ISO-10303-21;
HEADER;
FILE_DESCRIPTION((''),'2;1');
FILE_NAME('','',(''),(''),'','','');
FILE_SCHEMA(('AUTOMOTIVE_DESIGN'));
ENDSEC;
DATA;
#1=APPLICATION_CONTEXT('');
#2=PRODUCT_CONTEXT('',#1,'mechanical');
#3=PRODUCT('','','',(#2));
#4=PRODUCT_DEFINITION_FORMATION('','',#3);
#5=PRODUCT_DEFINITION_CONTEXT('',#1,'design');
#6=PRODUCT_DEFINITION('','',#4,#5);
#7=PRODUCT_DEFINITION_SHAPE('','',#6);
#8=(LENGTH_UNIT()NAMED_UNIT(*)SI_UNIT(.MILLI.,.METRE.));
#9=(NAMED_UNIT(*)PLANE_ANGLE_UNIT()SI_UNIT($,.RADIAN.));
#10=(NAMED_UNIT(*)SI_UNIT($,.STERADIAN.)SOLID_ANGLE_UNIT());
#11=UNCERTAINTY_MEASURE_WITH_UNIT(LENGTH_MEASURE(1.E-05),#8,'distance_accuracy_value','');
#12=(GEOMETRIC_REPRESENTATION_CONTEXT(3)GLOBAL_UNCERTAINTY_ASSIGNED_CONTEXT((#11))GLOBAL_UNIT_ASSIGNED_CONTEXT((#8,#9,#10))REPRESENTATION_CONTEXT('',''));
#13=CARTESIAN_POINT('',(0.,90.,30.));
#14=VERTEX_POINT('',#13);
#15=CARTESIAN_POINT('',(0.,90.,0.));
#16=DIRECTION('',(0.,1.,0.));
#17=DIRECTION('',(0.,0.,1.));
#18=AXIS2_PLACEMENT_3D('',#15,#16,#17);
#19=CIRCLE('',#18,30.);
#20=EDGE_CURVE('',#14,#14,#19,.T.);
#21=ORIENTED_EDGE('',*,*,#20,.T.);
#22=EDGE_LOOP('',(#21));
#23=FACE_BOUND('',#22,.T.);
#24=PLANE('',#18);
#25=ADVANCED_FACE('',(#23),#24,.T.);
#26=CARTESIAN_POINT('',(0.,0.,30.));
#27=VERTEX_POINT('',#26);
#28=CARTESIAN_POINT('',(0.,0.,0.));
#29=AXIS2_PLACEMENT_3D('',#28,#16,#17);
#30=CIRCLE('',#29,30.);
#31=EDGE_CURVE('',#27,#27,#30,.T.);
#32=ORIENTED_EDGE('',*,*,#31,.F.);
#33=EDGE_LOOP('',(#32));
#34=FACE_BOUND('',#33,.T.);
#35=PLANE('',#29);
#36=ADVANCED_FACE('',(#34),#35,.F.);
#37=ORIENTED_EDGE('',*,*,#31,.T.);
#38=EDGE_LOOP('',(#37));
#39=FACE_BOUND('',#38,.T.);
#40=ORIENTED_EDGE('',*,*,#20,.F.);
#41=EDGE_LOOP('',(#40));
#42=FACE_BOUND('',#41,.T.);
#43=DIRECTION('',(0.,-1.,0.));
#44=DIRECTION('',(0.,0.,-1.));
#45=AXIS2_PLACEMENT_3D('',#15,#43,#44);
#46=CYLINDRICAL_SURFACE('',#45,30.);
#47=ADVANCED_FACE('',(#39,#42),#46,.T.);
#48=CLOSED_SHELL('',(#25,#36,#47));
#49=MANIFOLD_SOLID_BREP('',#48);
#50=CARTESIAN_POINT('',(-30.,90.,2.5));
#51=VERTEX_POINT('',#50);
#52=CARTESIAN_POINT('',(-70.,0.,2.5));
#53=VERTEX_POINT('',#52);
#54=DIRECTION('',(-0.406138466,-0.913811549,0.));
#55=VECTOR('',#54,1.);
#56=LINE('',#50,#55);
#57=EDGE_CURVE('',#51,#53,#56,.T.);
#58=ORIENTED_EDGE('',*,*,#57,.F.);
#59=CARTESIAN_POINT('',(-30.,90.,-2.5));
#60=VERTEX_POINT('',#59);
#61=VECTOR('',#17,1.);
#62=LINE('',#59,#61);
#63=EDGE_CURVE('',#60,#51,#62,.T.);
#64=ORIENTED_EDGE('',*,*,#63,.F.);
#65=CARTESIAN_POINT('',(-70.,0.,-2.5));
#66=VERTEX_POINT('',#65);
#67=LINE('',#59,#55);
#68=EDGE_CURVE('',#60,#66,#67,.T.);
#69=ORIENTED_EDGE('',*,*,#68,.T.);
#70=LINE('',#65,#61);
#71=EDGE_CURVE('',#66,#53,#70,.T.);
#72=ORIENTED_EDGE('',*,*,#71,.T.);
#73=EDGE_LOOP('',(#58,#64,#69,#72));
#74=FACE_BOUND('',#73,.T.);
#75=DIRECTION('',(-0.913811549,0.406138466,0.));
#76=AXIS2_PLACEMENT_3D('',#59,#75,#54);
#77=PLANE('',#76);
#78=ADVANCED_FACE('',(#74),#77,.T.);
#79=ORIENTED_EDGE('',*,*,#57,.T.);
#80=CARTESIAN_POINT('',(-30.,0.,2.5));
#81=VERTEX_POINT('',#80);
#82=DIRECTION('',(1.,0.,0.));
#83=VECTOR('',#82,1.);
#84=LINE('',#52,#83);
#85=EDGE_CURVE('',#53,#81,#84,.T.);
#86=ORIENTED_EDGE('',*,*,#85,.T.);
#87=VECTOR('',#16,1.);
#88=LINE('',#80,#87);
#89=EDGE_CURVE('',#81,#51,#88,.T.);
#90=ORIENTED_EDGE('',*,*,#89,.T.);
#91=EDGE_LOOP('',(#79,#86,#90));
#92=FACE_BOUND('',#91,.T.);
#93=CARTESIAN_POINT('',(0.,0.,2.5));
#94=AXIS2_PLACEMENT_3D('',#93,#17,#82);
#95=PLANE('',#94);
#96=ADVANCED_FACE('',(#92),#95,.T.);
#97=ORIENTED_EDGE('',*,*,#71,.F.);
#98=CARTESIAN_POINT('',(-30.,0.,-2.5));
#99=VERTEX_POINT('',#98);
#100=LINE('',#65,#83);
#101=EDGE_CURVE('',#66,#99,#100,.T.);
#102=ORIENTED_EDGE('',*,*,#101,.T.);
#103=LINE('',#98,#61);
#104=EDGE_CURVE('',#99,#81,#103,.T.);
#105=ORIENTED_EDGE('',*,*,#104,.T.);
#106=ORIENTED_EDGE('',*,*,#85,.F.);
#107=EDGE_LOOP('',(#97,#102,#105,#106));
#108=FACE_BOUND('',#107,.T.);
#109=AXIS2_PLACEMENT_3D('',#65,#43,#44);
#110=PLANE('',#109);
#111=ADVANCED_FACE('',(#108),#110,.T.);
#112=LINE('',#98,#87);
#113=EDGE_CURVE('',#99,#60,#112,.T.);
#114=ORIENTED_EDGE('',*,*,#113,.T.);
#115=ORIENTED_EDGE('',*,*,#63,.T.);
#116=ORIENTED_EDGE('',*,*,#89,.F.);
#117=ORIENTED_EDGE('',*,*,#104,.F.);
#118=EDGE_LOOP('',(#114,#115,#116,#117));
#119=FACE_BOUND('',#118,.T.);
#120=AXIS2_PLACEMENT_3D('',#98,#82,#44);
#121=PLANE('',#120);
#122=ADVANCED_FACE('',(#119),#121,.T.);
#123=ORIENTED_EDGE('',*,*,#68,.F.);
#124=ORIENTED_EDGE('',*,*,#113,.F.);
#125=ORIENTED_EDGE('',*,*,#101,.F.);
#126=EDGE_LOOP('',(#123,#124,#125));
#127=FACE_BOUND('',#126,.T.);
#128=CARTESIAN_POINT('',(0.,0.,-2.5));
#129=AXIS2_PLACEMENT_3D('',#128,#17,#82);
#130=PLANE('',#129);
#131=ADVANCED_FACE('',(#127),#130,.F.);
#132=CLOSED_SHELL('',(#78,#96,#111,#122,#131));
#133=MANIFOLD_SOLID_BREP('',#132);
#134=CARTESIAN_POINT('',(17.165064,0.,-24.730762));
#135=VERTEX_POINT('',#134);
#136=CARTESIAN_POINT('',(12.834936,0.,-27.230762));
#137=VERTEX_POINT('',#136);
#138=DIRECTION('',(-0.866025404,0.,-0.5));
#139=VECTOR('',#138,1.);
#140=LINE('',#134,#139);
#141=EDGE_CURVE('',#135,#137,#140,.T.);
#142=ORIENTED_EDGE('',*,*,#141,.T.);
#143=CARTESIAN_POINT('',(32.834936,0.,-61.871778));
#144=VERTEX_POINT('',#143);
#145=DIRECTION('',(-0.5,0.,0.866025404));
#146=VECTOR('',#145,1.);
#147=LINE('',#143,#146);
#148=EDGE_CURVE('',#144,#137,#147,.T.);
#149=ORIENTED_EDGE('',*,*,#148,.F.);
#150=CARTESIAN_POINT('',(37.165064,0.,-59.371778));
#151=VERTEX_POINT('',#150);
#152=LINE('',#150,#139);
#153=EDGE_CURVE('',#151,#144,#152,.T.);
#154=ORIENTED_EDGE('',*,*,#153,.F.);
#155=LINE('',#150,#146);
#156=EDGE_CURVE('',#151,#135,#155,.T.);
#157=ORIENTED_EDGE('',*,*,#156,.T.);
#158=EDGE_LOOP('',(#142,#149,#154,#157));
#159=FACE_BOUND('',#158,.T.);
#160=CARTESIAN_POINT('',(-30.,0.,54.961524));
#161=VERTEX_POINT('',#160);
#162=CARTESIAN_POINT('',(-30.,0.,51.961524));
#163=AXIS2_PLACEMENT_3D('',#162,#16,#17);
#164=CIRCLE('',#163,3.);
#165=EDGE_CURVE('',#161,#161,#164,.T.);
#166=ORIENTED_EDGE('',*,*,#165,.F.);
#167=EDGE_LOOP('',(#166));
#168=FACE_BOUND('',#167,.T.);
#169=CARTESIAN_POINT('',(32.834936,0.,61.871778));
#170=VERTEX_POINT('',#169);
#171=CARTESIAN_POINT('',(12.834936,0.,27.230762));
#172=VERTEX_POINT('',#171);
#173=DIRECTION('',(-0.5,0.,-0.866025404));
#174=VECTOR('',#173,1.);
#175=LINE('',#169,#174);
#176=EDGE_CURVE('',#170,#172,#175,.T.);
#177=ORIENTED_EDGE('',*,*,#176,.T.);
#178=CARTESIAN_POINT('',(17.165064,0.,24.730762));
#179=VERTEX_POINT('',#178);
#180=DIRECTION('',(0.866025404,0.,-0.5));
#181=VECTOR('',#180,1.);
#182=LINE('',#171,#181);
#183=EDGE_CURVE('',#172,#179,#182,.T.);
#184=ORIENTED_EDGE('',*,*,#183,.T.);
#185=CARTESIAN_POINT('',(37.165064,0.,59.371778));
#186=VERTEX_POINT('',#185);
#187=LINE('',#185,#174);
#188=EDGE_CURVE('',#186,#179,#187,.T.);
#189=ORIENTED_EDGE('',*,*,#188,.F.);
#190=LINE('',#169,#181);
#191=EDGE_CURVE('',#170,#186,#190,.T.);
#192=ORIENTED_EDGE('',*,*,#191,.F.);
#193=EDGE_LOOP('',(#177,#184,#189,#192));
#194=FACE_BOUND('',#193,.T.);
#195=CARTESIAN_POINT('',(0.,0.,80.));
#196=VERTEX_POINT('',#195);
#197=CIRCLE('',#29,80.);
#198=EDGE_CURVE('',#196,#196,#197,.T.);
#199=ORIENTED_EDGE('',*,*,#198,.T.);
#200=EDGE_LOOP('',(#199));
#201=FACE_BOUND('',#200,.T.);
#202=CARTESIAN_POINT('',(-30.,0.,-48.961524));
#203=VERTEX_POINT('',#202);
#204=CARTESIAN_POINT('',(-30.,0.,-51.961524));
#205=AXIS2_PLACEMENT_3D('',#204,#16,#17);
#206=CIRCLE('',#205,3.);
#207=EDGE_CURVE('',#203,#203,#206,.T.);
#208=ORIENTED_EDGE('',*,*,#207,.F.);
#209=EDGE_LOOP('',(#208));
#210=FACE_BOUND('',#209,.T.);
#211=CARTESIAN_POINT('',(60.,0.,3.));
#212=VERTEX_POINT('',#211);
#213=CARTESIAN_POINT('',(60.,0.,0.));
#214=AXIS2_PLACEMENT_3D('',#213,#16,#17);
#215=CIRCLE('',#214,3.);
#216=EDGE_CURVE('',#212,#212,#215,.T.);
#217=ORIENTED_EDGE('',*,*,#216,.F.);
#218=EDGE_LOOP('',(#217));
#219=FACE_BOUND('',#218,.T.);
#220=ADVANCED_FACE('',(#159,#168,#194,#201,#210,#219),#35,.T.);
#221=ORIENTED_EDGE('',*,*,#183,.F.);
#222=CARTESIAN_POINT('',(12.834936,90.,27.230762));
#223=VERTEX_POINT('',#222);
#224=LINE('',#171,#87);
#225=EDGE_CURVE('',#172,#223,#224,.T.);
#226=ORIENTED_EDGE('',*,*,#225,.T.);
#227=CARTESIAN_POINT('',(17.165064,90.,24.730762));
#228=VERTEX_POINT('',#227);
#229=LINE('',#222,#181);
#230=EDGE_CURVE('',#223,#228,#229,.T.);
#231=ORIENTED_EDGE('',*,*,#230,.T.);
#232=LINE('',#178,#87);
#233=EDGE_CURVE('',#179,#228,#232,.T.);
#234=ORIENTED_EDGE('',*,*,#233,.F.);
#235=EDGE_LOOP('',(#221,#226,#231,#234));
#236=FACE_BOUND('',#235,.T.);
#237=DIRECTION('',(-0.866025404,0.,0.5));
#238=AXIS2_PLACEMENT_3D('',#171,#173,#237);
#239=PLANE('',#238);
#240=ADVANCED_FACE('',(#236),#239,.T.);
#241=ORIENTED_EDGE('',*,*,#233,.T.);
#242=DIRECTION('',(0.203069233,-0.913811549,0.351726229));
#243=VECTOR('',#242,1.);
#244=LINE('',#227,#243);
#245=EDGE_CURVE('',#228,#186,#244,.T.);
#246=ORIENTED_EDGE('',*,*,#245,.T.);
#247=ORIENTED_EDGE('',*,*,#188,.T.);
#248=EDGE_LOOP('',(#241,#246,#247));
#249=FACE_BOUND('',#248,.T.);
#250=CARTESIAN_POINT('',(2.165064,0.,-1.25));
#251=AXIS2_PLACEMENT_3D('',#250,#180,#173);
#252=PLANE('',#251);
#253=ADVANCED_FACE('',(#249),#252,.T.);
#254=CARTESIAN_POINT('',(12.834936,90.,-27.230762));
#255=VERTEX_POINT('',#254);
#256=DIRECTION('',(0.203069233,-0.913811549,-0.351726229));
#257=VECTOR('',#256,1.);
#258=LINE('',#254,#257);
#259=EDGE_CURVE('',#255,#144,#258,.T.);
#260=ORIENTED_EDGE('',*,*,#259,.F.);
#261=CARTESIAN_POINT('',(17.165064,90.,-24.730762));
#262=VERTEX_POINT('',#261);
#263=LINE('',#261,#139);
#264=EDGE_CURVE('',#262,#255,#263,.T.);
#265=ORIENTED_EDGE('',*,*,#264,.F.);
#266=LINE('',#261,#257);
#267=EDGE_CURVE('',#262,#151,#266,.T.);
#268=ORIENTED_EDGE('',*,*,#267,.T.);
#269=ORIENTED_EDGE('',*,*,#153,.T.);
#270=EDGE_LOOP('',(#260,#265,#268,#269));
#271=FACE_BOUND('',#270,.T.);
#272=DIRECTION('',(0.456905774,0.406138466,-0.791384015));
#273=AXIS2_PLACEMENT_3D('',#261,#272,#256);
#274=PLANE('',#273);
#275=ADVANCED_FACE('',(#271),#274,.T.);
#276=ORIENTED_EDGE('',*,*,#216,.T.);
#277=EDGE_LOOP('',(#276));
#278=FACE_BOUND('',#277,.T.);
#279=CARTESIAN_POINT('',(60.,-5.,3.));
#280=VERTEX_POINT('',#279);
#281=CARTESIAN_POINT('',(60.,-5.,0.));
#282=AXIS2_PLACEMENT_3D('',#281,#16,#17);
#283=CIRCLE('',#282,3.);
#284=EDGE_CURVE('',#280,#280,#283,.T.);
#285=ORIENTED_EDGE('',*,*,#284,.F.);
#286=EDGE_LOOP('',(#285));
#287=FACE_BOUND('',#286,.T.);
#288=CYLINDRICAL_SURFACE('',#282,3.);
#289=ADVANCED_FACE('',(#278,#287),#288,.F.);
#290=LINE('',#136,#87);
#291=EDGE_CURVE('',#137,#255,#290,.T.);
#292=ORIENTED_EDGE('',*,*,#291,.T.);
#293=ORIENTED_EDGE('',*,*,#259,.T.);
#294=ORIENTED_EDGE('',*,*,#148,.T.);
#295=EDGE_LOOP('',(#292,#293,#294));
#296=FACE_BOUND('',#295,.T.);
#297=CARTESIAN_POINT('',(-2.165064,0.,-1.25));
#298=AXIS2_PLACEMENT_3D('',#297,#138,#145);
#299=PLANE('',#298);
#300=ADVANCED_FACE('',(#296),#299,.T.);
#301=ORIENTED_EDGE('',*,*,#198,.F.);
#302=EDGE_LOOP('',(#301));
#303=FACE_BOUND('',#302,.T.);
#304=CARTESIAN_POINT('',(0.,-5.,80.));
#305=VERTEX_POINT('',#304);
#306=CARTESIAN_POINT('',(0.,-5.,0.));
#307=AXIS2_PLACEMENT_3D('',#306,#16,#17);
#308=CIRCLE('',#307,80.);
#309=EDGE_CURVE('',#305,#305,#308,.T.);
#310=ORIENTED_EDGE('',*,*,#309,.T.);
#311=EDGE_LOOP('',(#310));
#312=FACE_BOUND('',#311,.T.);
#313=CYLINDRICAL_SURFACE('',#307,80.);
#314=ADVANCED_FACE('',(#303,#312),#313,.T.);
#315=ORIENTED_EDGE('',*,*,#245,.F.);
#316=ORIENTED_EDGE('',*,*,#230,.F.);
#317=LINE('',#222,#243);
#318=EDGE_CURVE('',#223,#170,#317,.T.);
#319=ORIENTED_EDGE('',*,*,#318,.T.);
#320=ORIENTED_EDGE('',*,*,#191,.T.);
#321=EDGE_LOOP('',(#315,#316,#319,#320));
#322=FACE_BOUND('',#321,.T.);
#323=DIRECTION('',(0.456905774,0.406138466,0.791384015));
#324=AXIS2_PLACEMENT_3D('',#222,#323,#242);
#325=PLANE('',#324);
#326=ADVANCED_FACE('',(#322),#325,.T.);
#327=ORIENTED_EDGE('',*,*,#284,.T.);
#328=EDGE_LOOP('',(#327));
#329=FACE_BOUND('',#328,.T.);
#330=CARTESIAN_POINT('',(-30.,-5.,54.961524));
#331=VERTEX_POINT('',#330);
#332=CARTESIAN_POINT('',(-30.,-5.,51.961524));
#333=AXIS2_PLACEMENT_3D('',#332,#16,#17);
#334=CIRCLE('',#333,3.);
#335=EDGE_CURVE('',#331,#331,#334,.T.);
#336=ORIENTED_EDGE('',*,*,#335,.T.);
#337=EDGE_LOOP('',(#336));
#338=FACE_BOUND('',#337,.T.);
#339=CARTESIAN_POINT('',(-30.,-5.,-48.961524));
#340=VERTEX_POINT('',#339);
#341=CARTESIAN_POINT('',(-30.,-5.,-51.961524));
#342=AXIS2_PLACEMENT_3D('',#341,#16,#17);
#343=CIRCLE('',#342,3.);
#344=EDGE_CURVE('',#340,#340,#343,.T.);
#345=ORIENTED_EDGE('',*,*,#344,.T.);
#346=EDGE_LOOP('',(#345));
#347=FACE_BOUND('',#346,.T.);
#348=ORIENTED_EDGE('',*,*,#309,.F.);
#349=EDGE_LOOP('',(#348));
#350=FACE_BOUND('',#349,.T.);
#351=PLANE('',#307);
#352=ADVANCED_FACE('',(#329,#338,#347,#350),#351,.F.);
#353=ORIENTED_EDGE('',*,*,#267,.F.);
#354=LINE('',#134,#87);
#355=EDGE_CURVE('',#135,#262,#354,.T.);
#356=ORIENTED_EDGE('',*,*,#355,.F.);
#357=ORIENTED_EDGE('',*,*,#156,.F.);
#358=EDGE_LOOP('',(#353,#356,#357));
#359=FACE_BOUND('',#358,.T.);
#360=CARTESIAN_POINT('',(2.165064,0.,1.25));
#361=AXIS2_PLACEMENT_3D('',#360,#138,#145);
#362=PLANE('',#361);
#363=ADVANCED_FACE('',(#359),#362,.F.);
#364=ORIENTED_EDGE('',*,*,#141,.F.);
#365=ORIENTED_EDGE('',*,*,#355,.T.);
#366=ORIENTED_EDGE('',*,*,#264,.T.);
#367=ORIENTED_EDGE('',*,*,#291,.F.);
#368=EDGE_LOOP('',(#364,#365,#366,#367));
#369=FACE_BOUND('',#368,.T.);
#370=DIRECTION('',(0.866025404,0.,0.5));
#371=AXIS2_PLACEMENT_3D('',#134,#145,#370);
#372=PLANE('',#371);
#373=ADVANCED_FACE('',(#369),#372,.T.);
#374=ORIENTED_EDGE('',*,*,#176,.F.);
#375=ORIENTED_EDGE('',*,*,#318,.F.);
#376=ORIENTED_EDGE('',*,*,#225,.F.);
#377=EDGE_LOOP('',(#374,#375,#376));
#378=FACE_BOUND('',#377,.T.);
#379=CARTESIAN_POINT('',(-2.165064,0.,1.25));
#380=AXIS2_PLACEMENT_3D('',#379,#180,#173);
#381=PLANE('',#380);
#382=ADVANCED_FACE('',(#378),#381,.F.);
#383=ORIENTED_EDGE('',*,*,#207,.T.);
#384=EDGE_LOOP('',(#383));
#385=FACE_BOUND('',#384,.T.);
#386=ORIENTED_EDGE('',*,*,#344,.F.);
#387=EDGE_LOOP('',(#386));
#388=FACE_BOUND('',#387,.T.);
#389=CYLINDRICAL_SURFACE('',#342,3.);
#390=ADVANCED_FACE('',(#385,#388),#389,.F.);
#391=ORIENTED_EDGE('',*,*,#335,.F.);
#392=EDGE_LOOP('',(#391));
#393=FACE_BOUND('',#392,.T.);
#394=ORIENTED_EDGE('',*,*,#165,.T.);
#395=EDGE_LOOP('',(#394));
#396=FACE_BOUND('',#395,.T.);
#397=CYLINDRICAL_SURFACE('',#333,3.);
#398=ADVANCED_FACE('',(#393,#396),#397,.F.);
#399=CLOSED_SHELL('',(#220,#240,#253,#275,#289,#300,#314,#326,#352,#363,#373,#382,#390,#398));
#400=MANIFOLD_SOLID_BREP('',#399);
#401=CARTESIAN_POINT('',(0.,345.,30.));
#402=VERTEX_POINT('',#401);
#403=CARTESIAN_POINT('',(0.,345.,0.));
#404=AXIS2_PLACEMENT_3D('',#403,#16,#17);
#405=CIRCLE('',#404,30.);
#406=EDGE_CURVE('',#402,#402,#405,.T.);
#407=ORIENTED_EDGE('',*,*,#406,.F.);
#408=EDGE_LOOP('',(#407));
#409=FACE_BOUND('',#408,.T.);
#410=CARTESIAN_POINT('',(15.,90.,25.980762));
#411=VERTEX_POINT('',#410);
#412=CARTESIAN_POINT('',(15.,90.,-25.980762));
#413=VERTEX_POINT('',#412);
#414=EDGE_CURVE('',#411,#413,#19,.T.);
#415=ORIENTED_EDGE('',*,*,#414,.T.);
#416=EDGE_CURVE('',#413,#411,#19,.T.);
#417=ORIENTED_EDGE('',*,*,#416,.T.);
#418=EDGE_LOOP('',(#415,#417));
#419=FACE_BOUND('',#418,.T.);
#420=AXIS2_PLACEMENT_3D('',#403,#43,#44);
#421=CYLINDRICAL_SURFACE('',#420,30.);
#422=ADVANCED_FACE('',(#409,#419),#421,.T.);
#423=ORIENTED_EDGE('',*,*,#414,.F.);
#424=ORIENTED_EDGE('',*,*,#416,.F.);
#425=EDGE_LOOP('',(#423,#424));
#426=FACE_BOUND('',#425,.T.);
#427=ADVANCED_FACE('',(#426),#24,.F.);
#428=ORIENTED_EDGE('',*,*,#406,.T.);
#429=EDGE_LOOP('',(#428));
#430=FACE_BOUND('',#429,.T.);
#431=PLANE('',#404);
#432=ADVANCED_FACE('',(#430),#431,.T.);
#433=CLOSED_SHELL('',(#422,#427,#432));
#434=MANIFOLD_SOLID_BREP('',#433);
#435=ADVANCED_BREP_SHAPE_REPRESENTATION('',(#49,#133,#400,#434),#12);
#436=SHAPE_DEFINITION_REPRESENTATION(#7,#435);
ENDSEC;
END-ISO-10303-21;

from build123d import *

# Parameters (mm, degrees)
SKETCH1_R           = 80
BOSS_EXTRUDE1_DEPTH = 5
SKETCH2_R           = 30
BOSS_EXTRUDE2_DEPTH = 90
SKETCH3_R           = 30
BOSS_EXTRUDE3_DEPTH = 255
BOSS_EXTRUDE4_DEPTH = 2.5
CIRPATTERN1_COUNT   = 3
SKETCH5_R           = 3
CUT_EXTRUDE1_DEPTH  = 364.077126793


with BuildPart() as part:
    # Sketch1 → Boss-Extrude1 (new body)
    with BuildSketch(Plane(origin=(0, 0, 0), x_dir=(1, 0, 0), z_dir=(0, 1, 0))):
        Circle(SKETCH1_R)
    extrude(amount=-BOSS_EXTRUDE1_DEPTH)


with BuildPart() as body_2:
    # Sketch2 → Boss-Extrude2 (new body)
    with BuildSketch(Plane(origin=(0, 0, 0), x_dir=(1, 0, 0), z_dir=(0, 1, 0))):
        Circle(SKETCH2_R)
    extrude(amount=BOSS_EXTRUDE2_DEPTH)


with BuildPart() as body_3:
    # Sketch3 → Boss-Extrude3 (new body)
    with BuildSketch(Plane(origin=(0, 90, 0), x_dir=(1, 0, 0), z_dir=(0, 1, 0))):
        Circle(SKETCH3_R)
    extrude(amount=BOSS_EXTRUDE3_DEPTH)


with BuildPart() as body_4:
    # Sketch4 → Boss-Extrude4 (new, symmetric)
    with BuildSketch(Plane.XY):
        Polygon((-70, 0), (-30, 0), (-30, 90), align=None)
    boss_extrude4 = extrude(amount=BOSS_EXTRUDE4_DEPTH, both=True)


with BuildPart() as part_1:
    add(part.part)

    # CirPattern1: Boss-Extrude4 ×3 about axis
    cirpattern1_axis = Axis((0, 90, 0), (0, -1, 0))
    for i in range(1, CIRPATTERN1_COUNT):
        add(boss_extrude4.rotate(cirpattern1_axis, i * 360 / CIRPATTERN1_COUNT))

    # Sketch5 → Cut-Extrude1 (cut, through all)
    with BuildSketch(Plane(origin=(0, 0, 0), x_dir=(1, 0, 0), z_dir=(0, 1, 0))):
        with Locations((-30, 51.961524227)):
            Circle(SKETCH5_R)
        with Locations((60, 0)):
            Circle(SKETCH5_R)
        with Locations((-30, -51.961524227)):
            Circle(SKETCH5_R)
    extrude(amount=-CUT_EXTRUDE1_DEPTH, mode=Mode.SUBTRACT)


solid = Compound([body_2.part, body_3.part, body_4.part, part_1.part])
